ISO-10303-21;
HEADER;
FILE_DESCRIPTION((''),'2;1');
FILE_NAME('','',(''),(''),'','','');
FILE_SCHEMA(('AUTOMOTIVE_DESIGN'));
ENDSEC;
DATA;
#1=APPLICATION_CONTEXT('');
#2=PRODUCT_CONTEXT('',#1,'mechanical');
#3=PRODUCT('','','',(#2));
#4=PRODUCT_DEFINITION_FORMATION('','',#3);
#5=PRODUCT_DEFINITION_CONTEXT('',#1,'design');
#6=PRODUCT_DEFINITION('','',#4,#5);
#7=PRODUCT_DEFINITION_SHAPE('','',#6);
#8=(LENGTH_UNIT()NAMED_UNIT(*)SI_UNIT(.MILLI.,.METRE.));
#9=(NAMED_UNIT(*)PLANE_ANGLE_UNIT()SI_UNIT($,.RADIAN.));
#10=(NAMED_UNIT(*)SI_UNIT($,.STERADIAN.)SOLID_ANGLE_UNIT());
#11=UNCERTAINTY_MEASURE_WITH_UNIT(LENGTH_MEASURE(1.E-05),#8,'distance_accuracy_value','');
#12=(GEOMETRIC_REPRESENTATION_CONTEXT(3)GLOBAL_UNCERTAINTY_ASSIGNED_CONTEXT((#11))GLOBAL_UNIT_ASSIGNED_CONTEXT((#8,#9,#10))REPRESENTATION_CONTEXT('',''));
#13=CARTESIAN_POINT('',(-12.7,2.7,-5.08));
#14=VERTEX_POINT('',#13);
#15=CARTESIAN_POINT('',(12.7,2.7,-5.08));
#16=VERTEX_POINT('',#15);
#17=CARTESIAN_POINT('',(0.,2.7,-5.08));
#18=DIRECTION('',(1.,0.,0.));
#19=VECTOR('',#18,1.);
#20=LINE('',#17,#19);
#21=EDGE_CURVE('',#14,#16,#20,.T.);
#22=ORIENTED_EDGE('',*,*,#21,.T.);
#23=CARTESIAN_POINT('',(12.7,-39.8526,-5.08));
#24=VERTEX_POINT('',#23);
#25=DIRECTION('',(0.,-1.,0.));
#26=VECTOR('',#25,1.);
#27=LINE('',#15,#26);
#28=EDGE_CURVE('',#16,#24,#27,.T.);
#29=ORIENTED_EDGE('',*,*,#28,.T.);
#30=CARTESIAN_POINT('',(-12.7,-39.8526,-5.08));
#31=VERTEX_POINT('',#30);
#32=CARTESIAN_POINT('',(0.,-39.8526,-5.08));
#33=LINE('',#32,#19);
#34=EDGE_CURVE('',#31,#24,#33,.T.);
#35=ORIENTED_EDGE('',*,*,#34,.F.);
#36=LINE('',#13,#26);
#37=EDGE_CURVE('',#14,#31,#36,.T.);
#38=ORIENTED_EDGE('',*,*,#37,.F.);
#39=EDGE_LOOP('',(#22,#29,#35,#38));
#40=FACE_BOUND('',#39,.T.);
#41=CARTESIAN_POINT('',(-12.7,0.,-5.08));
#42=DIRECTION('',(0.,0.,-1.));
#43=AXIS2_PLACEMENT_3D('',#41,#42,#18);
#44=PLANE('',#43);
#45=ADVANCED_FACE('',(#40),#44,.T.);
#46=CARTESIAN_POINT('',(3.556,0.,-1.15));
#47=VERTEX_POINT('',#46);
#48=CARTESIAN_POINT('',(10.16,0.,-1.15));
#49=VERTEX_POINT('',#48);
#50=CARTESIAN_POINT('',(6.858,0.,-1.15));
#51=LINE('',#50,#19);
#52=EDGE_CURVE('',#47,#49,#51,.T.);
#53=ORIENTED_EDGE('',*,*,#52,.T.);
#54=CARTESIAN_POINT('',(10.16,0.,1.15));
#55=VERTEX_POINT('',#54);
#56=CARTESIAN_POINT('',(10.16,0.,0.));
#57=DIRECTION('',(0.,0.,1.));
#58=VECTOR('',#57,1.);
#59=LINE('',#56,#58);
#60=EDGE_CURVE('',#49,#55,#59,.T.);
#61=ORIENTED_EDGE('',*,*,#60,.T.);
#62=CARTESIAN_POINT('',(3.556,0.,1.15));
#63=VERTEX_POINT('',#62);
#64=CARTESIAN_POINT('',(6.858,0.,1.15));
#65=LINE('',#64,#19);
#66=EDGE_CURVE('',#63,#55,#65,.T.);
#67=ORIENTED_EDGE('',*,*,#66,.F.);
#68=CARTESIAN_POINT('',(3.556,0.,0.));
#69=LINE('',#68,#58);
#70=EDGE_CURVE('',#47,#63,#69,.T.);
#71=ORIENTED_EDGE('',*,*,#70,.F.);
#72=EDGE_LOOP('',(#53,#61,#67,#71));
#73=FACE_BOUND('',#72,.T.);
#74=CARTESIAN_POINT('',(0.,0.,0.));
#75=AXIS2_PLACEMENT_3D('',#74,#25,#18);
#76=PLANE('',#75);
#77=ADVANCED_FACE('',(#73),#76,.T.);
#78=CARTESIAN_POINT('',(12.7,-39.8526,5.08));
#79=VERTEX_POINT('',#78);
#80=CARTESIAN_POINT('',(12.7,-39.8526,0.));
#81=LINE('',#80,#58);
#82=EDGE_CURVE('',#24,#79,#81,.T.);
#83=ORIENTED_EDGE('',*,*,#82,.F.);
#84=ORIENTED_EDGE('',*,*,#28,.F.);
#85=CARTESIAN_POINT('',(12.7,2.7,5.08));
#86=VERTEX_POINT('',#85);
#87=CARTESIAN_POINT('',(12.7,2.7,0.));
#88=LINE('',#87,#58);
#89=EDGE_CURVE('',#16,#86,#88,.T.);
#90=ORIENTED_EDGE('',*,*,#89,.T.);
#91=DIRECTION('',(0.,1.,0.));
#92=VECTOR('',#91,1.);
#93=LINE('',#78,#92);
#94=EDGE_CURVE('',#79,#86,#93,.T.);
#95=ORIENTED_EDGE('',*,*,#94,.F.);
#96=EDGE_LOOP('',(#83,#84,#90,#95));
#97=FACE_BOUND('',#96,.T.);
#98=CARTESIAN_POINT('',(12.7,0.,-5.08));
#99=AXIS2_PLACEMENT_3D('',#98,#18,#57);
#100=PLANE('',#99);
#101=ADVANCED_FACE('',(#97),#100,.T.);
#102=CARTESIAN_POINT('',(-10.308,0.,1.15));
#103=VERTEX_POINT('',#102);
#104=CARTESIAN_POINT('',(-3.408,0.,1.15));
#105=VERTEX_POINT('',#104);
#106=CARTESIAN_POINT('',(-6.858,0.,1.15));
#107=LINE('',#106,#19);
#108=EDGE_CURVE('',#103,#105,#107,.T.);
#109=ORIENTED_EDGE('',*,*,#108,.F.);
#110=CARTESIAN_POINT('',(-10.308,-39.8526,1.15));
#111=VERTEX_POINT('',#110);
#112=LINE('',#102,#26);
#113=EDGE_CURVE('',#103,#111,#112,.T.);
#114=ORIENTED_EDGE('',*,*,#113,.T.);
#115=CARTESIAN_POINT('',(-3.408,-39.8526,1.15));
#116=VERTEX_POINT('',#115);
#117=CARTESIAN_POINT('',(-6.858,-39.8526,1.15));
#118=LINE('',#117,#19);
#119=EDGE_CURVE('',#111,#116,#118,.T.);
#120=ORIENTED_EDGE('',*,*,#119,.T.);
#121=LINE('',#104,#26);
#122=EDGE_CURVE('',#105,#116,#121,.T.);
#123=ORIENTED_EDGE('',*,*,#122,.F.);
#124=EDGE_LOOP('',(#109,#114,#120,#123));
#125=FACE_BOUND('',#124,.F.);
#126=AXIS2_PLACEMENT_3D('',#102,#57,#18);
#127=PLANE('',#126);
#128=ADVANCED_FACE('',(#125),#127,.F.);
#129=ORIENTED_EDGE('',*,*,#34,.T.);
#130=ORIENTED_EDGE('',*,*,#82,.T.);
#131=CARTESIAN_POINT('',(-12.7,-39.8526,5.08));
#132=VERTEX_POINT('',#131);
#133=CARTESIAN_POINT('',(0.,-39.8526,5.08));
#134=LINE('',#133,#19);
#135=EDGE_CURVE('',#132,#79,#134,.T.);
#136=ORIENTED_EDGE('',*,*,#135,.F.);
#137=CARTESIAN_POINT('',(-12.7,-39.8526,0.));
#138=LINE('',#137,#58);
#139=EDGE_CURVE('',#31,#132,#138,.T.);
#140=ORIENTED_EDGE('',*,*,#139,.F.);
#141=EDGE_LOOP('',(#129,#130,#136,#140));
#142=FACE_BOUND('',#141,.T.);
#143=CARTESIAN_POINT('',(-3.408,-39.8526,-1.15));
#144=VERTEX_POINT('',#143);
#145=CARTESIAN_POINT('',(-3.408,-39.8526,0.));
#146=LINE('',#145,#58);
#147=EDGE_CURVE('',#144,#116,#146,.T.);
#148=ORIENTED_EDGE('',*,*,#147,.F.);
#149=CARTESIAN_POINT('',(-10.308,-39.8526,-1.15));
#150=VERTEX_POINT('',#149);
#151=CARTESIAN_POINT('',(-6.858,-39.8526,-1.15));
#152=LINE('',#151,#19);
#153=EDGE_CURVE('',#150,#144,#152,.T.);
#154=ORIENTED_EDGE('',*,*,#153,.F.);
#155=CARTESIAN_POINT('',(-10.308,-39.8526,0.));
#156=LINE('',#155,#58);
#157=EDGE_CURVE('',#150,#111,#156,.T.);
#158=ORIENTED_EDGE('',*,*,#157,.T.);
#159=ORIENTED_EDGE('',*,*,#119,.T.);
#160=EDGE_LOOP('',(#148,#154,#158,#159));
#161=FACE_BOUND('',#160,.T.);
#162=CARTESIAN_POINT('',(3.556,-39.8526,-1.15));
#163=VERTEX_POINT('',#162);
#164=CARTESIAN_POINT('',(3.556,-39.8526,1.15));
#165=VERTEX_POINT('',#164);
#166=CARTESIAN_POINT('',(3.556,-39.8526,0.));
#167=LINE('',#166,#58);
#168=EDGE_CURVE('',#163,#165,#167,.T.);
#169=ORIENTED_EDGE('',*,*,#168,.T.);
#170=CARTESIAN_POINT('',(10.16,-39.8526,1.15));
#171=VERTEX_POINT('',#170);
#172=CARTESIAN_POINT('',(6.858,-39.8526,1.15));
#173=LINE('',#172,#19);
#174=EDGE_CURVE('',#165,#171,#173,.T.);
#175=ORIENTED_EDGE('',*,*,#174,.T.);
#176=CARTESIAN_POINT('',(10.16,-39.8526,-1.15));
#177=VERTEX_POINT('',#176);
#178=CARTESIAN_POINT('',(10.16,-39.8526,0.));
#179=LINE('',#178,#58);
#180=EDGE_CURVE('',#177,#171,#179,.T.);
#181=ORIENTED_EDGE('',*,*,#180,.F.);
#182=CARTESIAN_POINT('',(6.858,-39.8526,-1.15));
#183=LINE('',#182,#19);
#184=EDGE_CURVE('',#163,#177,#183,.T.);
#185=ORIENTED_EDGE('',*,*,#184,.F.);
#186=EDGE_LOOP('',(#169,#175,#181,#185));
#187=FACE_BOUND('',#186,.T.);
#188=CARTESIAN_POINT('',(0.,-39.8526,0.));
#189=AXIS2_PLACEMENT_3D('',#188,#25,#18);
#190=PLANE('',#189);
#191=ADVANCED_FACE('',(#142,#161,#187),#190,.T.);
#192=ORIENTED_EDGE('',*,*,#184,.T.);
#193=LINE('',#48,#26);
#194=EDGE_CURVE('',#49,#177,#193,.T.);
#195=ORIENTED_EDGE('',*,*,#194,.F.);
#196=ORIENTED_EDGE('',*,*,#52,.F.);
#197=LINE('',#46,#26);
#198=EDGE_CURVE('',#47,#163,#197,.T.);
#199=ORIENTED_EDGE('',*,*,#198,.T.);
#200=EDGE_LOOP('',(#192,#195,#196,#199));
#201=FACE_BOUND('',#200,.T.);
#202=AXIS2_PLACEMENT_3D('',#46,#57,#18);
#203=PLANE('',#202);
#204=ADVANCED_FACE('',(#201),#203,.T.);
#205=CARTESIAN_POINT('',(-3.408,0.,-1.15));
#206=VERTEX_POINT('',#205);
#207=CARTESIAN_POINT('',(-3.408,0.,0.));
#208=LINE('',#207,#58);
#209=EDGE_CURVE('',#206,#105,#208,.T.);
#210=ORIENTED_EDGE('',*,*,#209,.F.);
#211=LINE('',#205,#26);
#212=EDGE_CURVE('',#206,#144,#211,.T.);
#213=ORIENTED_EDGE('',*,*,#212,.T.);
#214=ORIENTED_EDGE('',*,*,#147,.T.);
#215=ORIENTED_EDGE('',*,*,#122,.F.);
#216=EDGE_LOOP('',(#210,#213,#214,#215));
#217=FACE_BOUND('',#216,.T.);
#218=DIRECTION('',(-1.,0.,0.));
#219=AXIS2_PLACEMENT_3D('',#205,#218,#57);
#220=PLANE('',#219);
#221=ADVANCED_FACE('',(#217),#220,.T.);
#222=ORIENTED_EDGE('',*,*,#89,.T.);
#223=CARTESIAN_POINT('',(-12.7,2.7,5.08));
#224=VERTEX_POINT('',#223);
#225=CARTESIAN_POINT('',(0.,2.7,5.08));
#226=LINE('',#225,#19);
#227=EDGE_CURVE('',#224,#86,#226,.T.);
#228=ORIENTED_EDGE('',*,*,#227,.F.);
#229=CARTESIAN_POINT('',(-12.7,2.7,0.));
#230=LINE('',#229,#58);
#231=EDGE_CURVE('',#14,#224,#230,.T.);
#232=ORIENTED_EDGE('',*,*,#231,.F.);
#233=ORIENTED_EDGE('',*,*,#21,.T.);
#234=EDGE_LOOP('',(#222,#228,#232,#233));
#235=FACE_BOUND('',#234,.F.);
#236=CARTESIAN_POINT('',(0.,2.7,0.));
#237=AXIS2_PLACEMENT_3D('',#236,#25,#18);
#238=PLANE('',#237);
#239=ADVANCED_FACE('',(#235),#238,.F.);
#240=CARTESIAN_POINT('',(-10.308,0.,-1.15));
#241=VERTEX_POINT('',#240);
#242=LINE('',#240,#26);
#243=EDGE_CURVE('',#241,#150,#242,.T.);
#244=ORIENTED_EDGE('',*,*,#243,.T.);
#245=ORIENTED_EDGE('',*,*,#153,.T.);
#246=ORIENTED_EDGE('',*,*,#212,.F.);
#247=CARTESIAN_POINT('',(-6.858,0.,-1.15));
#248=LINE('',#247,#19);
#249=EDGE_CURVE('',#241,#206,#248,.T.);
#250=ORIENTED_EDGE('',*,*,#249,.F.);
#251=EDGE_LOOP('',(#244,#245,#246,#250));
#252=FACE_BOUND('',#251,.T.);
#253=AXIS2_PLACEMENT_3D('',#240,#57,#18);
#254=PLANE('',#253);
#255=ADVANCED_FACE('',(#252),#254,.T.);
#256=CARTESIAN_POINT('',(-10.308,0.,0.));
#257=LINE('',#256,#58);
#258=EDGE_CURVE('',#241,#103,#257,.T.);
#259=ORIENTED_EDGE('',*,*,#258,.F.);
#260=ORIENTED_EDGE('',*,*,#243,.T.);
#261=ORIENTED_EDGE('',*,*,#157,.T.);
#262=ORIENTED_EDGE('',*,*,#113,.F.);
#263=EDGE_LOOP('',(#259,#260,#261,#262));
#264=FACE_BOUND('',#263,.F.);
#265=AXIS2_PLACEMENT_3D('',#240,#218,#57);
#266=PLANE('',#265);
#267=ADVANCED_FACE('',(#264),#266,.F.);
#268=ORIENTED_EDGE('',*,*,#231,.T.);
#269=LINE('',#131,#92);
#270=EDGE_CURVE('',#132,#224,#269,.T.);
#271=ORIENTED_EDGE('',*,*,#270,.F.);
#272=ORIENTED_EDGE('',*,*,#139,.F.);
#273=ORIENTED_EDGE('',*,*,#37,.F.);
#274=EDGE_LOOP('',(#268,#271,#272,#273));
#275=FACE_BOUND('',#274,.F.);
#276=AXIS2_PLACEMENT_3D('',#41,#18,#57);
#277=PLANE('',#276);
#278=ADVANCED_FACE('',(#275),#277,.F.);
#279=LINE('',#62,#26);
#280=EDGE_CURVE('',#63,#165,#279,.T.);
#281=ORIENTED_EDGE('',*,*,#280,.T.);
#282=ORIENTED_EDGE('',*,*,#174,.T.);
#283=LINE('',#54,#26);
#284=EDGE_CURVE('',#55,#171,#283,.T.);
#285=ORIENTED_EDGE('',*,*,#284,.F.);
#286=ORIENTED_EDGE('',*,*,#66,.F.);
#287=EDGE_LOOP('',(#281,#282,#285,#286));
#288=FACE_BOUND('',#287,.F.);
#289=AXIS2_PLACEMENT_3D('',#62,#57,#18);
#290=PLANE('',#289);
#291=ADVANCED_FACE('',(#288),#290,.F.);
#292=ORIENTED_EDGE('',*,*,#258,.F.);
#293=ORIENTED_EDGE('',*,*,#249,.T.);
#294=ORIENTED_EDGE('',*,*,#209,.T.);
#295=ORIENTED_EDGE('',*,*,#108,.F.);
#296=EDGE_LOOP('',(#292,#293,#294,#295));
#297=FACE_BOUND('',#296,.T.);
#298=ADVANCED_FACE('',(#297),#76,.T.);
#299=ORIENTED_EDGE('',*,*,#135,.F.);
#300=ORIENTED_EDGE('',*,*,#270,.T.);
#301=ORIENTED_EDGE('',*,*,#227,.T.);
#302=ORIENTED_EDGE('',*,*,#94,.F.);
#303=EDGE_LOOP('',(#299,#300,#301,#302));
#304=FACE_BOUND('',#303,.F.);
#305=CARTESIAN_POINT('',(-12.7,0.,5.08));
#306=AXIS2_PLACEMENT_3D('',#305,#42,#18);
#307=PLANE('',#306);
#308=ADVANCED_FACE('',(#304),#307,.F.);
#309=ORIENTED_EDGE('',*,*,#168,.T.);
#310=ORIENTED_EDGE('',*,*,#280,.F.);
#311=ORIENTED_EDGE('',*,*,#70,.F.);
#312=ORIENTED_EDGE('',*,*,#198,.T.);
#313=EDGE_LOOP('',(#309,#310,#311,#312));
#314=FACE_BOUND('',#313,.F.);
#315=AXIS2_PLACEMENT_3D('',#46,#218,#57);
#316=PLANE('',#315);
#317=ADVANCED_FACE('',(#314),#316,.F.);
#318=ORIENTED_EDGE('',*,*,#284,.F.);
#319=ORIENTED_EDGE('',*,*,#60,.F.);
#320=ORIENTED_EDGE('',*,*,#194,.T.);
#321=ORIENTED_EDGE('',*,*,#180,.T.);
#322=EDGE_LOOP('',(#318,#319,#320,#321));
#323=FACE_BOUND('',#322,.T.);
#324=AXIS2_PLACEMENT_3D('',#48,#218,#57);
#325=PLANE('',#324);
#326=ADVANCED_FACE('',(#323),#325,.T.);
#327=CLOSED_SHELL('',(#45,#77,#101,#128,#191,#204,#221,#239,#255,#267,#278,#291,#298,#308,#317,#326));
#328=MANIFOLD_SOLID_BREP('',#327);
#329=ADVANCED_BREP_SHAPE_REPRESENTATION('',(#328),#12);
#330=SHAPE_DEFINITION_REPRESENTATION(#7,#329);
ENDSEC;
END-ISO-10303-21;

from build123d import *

# Parameters (mm, degrees)
F0_W     = 25.4
F0_H     = 10.16
F0_W_2   = 6.9
F0_H_2   = 2.3
F0_W_3   = 6.604
F1_DEPTH = 39.8526
F2_DEPTH = 2.7


with BuildPart() as f1:
    # F0 (on Front) → F1 (new body)
    with BuildSketch(Plane.XZ):
        Rectangle(F0_W, F0_H)
        with Locations((-6.858, 0)):
            Rectangle(F0_W_2, F0_H_2, mode=Mode.SUBTRACT)
        with Locations((6.858, 0)):
            Rectangle(F0_W_3, F0_H_2, mode=Mode.SUBTRACT)
    extrude(amount=F1_DEPTH)

    # F0 (on Front) → F2 (join)
    with BuildSketch(Plane.XZ):
        Rectangle(F0_W, F0_H)
        with Locations((-6.858, 0)):
            Rectangle(F0_W_2, F0_H_2, mode=Mode.SUBTRACT)
        with Locations((6.858, 0)):
            Rectangle(F0_W_3, F0_H_2, mode=Mode.SUBTRACT)
        with Locations((-6.858, 0)):
            Rectangle(F0_W_2, F0_H_2)
        with Locations((6.858, 0)):
            Rectangle(F0_W_3, F0_H_2)
    extrude(amount=-F2_DEPTH)


solid = f1.part
